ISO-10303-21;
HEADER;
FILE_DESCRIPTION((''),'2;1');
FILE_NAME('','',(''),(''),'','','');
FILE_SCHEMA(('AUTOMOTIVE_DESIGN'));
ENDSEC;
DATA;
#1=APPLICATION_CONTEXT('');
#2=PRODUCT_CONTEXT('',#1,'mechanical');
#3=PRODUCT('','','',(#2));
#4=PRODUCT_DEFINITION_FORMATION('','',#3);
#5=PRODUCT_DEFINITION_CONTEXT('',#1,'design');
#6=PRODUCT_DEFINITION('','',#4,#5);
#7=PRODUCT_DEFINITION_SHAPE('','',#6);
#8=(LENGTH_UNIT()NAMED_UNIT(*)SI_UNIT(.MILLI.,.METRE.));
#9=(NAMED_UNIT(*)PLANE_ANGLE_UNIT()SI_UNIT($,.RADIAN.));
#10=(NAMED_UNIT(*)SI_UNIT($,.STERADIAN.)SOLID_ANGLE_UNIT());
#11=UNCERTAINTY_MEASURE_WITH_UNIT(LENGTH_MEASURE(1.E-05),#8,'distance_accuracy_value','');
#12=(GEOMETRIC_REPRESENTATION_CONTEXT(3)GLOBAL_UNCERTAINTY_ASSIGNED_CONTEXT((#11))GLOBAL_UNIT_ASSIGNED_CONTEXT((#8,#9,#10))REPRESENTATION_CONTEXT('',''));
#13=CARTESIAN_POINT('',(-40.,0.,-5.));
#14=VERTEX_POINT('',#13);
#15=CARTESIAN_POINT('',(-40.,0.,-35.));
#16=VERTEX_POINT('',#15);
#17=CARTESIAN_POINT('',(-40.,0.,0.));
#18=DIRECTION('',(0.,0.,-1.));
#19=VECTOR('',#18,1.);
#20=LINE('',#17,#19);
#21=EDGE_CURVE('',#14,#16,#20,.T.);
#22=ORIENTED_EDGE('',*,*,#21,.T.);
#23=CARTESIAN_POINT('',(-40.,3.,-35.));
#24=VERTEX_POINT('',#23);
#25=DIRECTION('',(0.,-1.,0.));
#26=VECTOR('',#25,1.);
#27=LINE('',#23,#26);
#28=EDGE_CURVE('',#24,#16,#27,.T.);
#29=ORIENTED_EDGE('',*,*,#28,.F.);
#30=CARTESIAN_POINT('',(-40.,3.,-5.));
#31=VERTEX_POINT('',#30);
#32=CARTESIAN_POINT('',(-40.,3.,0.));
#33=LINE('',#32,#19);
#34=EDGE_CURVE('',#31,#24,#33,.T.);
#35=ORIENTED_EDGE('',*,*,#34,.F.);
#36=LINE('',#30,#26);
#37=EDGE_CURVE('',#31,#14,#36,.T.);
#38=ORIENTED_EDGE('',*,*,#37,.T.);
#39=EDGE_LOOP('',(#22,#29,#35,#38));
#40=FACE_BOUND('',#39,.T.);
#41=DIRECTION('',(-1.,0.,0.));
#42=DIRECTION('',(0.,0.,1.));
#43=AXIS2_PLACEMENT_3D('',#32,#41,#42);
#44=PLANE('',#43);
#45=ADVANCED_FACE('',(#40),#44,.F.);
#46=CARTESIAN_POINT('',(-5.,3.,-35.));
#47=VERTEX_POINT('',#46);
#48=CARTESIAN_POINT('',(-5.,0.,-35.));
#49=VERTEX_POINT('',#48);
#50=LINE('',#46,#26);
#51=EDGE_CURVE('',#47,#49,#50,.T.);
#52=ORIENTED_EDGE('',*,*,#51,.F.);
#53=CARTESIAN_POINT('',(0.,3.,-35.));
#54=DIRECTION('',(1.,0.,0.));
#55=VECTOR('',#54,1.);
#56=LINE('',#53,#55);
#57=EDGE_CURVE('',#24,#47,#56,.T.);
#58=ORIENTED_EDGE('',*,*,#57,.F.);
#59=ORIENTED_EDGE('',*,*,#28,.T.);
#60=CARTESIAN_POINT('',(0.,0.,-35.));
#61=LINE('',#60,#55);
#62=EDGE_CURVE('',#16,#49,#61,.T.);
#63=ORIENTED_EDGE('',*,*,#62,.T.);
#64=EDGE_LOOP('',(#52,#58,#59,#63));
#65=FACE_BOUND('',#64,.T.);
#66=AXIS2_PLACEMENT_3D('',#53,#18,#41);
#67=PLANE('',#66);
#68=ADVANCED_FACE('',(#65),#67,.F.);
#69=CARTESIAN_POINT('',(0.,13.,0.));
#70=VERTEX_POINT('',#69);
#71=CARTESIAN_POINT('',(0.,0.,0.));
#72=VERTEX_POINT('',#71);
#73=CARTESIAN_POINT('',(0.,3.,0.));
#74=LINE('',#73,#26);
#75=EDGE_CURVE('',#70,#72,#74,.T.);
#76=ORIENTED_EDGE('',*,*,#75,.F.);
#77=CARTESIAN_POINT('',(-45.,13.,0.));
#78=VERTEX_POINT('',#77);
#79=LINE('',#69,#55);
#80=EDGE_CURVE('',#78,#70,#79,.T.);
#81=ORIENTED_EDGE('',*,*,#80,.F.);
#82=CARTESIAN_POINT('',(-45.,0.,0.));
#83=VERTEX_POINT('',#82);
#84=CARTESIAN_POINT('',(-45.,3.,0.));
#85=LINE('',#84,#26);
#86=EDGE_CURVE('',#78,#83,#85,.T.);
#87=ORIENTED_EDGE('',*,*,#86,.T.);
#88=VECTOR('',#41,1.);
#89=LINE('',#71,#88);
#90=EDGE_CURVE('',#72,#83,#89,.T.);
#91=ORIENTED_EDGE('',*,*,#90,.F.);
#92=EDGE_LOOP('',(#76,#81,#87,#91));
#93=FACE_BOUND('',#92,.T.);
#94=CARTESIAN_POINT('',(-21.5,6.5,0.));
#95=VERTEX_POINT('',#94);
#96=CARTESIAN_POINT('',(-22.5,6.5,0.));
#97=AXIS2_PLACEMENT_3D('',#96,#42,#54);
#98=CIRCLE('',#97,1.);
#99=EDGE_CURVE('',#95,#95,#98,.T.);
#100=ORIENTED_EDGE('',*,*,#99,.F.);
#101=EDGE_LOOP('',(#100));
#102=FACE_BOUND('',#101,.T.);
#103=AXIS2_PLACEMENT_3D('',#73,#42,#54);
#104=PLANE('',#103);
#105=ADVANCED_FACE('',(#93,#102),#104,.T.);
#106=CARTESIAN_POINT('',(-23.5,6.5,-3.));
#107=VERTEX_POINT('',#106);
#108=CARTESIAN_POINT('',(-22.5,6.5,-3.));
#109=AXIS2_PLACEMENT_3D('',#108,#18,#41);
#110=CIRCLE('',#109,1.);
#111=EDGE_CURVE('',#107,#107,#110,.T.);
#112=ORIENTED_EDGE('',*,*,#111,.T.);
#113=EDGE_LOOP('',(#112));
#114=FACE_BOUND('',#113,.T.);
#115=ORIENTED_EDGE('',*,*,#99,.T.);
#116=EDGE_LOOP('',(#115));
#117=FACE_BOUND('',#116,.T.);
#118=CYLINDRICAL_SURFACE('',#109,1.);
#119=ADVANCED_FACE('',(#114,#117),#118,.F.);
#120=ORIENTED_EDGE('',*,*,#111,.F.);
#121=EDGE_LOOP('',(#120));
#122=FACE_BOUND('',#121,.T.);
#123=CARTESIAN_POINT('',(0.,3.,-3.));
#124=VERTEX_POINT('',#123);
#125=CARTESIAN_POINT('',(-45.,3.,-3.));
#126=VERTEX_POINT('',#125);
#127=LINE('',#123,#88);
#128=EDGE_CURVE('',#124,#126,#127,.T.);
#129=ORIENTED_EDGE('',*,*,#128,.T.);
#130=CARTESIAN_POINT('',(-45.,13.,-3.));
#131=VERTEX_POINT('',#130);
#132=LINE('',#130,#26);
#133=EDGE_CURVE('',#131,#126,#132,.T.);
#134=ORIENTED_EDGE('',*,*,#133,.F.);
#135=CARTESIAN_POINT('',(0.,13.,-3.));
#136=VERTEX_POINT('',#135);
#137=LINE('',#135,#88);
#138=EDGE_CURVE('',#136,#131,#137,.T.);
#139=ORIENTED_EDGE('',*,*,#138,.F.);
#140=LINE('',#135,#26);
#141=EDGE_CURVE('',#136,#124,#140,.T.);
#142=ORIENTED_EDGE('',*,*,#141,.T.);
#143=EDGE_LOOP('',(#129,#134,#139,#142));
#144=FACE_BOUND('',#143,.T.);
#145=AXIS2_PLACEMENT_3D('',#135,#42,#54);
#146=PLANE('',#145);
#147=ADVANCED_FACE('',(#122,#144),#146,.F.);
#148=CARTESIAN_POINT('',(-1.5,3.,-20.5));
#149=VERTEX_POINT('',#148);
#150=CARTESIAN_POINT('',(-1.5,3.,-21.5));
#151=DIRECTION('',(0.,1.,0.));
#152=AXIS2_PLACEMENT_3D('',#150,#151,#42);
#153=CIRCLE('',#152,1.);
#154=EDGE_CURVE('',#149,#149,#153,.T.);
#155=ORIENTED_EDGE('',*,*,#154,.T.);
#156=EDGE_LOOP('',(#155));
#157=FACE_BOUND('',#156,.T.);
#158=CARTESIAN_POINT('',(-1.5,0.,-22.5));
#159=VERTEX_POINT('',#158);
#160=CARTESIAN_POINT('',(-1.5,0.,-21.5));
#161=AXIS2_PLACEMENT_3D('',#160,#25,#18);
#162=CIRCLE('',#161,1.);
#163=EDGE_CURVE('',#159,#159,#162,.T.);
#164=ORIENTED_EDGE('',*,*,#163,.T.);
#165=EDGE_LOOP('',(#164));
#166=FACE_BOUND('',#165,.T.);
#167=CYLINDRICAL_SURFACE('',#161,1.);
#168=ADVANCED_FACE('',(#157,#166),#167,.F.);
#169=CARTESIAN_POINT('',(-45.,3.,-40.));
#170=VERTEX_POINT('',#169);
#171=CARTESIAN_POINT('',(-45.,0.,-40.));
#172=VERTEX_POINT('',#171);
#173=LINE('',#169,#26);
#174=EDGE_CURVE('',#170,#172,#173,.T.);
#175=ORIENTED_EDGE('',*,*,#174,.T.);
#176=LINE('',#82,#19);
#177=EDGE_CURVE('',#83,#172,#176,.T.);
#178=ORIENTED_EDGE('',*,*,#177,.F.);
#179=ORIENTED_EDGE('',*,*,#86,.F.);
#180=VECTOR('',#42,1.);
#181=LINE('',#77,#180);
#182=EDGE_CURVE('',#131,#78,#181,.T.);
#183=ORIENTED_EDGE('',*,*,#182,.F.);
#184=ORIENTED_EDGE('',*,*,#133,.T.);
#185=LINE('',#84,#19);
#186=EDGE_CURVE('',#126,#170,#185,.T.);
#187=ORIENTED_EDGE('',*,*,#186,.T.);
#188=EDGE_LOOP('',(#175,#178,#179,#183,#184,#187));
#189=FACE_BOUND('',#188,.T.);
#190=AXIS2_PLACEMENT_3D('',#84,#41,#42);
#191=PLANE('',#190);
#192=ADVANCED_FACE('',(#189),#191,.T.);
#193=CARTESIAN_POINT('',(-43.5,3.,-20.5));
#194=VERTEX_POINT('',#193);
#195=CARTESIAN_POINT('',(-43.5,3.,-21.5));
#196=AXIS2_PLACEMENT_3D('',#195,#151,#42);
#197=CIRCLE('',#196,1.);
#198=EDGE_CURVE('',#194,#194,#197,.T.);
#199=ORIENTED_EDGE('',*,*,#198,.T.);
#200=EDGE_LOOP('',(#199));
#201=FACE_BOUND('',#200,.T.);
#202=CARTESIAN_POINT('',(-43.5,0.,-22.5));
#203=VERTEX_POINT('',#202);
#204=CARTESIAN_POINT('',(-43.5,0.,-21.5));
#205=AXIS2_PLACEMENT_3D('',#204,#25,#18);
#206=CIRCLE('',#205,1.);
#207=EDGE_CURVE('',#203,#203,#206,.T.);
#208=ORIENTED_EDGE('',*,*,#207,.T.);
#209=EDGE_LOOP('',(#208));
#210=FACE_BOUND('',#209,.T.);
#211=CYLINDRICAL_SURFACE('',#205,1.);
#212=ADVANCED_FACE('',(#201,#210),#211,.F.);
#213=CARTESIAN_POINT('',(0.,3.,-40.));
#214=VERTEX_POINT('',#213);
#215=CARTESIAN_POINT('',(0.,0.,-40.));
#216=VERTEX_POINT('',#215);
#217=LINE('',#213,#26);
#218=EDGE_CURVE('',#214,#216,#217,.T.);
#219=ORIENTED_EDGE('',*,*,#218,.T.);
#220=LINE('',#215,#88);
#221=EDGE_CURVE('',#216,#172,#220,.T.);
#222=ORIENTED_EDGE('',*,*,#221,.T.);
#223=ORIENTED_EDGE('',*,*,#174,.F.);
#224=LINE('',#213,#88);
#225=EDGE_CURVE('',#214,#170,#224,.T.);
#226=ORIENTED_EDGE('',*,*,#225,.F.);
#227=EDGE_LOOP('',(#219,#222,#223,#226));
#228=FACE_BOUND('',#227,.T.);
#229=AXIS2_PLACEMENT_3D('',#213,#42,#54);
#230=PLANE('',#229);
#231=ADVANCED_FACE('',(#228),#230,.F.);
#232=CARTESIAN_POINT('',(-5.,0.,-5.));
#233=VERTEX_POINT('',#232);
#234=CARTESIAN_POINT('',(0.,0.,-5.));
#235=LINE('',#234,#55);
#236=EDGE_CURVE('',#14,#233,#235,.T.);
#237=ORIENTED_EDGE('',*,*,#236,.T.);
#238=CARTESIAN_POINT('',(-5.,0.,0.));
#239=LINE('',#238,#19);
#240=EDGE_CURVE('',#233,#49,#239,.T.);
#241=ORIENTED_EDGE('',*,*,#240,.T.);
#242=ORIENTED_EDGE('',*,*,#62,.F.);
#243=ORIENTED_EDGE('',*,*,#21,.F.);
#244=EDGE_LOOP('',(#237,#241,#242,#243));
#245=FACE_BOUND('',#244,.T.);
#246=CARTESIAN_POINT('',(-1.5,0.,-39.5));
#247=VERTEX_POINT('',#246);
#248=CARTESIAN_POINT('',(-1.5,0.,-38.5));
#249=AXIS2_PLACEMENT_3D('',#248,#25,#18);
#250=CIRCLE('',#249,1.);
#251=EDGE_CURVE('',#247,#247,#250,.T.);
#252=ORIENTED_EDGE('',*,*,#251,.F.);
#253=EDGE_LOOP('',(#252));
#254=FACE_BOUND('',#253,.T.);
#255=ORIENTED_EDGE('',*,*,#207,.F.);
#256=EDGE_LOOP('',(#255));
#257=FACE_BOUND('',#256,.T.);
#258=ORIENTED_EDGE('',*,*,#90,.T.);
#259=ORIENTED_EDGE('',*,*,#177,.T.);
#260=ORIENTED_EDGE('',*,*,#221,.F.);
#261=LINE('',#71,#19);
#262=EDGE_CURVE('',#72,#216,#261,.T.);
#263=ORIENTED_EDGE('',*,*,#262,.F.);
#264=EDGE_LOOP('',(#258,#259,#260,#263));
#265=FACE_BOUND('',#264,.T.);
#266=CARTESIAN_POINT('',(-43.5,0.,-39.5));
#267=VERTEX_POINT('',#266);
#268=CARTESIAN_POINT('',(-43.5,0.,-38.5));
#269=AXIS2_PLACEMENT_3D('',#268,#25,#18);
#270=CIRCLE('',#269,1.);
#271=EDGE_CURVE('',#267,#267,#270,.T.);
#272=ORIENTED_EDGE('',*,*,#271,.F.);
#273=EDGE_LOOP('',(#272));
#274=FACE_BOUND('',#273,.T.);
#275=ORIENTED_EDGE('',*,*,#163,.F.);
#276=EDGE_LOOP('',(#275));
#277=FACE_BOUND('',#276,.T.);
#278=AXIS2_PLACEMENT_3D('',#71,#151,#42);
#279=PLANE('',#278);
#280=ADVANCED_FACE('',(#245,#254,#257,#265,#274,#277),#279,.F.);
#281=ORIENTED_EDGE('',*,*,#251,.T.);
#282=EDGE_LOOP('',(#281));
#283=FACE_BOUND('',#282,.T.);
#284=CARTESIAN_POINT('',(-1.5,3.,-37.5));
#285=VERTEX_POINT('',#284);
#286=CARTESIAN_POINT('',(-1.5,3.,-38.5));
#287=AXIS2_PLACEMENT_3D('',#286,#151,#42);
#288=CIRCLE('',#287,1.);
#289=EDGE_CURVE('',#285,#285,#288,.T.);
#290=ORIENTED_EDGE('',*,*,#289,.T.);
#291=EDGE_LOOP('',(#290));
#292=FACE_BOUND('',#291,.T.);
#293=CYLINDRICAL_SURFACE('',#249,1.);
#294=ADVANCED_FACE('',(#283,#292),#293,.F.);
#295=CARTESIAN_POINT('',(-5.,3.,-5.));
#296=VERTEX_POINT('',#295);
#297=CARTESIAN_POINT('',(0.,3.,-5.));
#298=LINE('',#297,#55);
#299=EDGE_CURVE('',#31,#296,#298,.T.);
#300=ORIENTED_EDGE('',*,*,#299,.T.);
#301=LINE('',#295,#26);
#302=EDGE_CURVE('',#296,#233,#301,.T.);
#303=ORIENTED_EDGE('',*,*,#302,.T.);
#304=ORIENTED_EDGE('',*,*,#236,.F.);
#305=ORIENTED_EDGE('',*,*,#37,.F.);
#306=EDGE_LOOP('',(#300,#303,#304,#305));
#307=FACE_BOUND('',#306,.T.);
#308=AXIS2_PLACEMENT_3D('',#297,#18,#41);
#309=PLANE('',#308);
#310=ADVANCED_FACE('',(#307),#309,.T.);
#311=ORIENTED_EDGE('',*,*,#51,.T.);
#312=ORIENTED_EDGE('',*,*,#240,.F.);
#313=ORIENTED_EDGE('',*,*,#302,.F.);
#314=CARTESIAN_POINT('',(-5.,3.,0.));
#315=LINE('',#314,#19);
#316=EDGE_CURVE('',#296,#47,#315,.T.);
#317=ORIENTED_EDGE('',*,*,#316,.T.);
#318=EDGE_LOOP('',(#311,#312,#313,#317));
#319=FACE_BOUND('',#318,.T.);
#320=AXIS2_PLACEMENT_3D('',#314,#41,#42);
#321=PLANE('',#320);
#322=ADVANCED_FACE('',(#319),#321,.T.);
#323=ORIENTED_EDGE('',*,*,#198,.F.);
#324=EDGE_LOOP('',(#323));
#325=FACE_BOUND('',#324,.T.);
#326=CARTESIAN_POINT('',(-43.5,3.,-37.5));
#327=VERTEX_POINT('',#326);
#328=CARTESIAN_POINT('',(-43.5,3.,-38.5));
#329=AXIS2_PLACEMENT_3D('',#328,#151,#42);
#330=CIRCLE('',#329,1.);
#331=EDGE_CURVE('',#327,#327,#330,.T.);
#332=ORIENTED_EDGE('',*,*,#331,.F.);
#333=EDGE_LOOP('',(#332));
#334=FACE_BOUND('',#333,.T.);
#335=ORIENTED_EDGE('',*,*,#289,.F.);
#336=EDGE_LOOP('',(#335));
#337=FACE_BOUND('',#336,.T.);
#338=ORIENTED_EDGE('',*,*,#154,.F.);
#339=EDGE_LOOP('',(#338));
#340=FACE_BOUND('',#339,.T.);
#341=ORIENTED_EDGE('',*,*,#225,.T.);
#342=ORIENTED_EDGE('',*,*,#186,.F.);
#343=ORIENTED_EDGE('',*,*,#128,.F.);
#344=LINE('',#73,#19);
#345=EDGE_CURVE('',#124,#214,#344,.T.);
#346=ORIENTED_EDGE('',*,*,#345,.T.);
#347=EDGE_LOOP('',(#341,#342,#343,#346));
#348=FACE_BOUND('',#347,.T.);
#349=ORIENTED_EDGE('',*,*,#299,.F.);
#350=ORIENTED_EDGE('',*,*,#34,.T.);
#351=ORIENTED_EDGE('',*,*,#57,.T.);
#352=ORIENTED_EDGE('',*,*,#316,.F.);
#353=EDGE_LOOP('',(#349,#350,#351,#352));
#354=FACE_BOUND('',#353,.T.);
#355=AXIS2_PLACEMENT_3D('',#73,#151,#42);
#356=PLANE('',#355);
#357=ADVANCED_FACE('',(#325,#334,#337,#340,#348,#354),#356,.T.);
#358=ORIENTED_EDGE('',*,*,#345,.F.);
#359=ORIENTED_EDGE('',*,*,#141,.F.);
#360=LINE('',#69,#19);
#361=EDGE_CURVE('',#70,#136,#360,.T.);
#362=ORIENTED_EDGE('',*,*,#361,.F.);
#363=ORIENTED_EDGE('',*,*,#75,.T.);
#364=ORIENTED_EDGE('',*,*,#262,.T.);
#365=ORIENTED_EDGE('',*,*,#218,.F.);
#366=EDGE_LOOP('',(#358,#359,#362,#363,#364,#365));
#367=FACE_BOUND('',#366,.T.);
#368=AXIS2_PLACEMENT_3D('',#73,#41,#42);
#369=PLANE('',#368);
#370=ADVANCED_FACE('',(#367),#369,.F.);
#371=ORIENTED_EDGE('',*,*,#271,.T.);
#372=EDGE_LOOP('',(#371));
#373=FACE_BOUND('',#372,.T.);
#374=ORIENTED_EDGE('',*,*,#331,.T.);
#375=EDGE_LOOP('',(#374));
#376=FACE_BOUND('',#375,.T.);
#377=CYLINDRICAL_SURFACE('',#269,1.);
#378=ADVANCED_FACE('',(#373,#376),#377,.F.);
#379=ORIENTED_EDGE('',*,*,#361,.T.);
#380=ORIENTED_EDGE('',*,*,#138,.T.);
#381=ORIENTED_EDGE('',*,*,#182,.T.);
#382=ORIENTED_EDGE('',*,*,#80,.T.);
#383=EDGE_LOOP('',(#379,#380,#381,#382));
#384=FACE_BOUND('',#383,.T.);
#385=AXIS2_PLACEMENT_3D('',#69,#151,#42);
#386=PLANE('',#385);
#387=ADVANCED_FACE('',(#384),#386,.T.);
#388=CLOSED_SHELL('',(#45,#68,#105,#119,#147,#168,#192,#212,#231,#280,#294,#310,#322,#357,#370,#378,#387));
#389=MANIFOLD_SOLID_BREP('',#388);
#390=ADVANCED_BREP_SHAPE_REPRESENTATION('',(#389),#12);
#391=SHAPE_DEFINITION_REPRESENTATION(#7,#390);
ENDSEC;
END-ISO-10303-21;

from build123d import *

# Parameters (mm, degrees)
SKETCH2_W                 = 5
SKETCH2_H                 = 40
SKETCH2_W_2               = 35
SKETCH2_H_2               = 5
BOSS_EXTRUDE1_DEPTH       = 3
F_2_0MM_DOWEL_HOLE1_D     = 2
F_2_0MM_DOWEL_HOLE1_DEPTH = 12.029
F_2_0MM_DOWEL_HOLE1_TIP   = 0.600860619
SKETCH4_W                 = 45
SKETCH4_H                 = 3
BOSS_EXTRUDE2_DEPTH       = 10
F_2_0MM_DOWEL_HOLE2_D     = 2
F_2_0MM_DOWEL_HOLE2_DEPTH = 12
F_2_0MM_DOWEL_HOLE2_TIP   = 0.600860619


with BuildPart() as part:
    # Sketch2 → Boss-Extrude1 (new body)
    with BuildSketch(Plane(origin=(0, 0, 0), x_dir=(1, 0, 0), z_dir=(0, 1, 0))):
        with Locations((-42.5, 20)):
            Rectangle(SKETCH2_W, SKETCH2_H)
        with Locations((-22.5, 37.5)):
            Rectangle(SKETCH2_W_2, SKETCH2_H_2)
        with Locations((-2.5, 20)):
            Rectangle(SKETCH2_W, SKETCH2_H)
        with Locations((-22.5, 2.5)):
            Rectangle(SKETCH2_W_2, SKETCH2_H_2)
    extrude(amount=BOSS_EXTRUDE1_DEPTH)

    # Ø2.0mm Dowel Hole1
    with Locations(Plane(origin=(-1.5, 0, -38.5), x_dir=(0, 0, -1), z_dir=(0, -1, 0))):
        with Locations((0, 0), (0, -42), (-17, 0), (-17, -42)):
            Hole(F_2_0MM_DOWEL_HOLE1_D / 2, depth=F_2_0MM_DOWEL_HOLE1_DEPTH)
            with Locations((0, 0, -(F_2_0MM_DOWEL_HOLE1_DEPTH + F_2_0MM_DOWEL_HOLE1_TIP / 2))):  # 118° drill point
                Cone(0, F_2_0MM_DOWEL_HOLE1_D / 2, F_2_0MM_DOWEL_HOLE1_TIP, mode=Mode.SUBTRACT)

    # Sketch4 → Boss-Extrude2 (add)
    with BuildSketch(Plane(origin=(0, 3, 0), x_dir=(1, 0, 0), z_dir=(0, 1, 0))):
        with Locations((-22.5, 1.5)):
            Rectangle(SKETCH4_W, SKETCH4_H)
    extrude(amount=BOSS_EXTRUDE2_DEPTH)

    # Ø2.0mm Dowel Hole2
    with Locations(Plane(origin=(0, 0, -3), x_dir=(-1, 0, 0), z_dir=(0, 0, -1))):
        with Locations((22.5, 6.5)):
            Hole(F_2_0MM_DOWEL_HOLE2_D / 2, depth=F_2_0MM_DOWEL_HOLE2_DEPTH)
            with Locations((0, 0, -(F_2_0MM_DOWEL_HOLE2_DEPTH + F_2_0MM_DOWEL_HOLE2_TIP / 2))):  # 118° drill point
                Cone(0, F_2_0MM_DOWEL_HOLE2_D / 2, F_2_0MM_DOWEL_HOLE2_TIP, mode=Mode.SUBTRACT)


solid = part.part
